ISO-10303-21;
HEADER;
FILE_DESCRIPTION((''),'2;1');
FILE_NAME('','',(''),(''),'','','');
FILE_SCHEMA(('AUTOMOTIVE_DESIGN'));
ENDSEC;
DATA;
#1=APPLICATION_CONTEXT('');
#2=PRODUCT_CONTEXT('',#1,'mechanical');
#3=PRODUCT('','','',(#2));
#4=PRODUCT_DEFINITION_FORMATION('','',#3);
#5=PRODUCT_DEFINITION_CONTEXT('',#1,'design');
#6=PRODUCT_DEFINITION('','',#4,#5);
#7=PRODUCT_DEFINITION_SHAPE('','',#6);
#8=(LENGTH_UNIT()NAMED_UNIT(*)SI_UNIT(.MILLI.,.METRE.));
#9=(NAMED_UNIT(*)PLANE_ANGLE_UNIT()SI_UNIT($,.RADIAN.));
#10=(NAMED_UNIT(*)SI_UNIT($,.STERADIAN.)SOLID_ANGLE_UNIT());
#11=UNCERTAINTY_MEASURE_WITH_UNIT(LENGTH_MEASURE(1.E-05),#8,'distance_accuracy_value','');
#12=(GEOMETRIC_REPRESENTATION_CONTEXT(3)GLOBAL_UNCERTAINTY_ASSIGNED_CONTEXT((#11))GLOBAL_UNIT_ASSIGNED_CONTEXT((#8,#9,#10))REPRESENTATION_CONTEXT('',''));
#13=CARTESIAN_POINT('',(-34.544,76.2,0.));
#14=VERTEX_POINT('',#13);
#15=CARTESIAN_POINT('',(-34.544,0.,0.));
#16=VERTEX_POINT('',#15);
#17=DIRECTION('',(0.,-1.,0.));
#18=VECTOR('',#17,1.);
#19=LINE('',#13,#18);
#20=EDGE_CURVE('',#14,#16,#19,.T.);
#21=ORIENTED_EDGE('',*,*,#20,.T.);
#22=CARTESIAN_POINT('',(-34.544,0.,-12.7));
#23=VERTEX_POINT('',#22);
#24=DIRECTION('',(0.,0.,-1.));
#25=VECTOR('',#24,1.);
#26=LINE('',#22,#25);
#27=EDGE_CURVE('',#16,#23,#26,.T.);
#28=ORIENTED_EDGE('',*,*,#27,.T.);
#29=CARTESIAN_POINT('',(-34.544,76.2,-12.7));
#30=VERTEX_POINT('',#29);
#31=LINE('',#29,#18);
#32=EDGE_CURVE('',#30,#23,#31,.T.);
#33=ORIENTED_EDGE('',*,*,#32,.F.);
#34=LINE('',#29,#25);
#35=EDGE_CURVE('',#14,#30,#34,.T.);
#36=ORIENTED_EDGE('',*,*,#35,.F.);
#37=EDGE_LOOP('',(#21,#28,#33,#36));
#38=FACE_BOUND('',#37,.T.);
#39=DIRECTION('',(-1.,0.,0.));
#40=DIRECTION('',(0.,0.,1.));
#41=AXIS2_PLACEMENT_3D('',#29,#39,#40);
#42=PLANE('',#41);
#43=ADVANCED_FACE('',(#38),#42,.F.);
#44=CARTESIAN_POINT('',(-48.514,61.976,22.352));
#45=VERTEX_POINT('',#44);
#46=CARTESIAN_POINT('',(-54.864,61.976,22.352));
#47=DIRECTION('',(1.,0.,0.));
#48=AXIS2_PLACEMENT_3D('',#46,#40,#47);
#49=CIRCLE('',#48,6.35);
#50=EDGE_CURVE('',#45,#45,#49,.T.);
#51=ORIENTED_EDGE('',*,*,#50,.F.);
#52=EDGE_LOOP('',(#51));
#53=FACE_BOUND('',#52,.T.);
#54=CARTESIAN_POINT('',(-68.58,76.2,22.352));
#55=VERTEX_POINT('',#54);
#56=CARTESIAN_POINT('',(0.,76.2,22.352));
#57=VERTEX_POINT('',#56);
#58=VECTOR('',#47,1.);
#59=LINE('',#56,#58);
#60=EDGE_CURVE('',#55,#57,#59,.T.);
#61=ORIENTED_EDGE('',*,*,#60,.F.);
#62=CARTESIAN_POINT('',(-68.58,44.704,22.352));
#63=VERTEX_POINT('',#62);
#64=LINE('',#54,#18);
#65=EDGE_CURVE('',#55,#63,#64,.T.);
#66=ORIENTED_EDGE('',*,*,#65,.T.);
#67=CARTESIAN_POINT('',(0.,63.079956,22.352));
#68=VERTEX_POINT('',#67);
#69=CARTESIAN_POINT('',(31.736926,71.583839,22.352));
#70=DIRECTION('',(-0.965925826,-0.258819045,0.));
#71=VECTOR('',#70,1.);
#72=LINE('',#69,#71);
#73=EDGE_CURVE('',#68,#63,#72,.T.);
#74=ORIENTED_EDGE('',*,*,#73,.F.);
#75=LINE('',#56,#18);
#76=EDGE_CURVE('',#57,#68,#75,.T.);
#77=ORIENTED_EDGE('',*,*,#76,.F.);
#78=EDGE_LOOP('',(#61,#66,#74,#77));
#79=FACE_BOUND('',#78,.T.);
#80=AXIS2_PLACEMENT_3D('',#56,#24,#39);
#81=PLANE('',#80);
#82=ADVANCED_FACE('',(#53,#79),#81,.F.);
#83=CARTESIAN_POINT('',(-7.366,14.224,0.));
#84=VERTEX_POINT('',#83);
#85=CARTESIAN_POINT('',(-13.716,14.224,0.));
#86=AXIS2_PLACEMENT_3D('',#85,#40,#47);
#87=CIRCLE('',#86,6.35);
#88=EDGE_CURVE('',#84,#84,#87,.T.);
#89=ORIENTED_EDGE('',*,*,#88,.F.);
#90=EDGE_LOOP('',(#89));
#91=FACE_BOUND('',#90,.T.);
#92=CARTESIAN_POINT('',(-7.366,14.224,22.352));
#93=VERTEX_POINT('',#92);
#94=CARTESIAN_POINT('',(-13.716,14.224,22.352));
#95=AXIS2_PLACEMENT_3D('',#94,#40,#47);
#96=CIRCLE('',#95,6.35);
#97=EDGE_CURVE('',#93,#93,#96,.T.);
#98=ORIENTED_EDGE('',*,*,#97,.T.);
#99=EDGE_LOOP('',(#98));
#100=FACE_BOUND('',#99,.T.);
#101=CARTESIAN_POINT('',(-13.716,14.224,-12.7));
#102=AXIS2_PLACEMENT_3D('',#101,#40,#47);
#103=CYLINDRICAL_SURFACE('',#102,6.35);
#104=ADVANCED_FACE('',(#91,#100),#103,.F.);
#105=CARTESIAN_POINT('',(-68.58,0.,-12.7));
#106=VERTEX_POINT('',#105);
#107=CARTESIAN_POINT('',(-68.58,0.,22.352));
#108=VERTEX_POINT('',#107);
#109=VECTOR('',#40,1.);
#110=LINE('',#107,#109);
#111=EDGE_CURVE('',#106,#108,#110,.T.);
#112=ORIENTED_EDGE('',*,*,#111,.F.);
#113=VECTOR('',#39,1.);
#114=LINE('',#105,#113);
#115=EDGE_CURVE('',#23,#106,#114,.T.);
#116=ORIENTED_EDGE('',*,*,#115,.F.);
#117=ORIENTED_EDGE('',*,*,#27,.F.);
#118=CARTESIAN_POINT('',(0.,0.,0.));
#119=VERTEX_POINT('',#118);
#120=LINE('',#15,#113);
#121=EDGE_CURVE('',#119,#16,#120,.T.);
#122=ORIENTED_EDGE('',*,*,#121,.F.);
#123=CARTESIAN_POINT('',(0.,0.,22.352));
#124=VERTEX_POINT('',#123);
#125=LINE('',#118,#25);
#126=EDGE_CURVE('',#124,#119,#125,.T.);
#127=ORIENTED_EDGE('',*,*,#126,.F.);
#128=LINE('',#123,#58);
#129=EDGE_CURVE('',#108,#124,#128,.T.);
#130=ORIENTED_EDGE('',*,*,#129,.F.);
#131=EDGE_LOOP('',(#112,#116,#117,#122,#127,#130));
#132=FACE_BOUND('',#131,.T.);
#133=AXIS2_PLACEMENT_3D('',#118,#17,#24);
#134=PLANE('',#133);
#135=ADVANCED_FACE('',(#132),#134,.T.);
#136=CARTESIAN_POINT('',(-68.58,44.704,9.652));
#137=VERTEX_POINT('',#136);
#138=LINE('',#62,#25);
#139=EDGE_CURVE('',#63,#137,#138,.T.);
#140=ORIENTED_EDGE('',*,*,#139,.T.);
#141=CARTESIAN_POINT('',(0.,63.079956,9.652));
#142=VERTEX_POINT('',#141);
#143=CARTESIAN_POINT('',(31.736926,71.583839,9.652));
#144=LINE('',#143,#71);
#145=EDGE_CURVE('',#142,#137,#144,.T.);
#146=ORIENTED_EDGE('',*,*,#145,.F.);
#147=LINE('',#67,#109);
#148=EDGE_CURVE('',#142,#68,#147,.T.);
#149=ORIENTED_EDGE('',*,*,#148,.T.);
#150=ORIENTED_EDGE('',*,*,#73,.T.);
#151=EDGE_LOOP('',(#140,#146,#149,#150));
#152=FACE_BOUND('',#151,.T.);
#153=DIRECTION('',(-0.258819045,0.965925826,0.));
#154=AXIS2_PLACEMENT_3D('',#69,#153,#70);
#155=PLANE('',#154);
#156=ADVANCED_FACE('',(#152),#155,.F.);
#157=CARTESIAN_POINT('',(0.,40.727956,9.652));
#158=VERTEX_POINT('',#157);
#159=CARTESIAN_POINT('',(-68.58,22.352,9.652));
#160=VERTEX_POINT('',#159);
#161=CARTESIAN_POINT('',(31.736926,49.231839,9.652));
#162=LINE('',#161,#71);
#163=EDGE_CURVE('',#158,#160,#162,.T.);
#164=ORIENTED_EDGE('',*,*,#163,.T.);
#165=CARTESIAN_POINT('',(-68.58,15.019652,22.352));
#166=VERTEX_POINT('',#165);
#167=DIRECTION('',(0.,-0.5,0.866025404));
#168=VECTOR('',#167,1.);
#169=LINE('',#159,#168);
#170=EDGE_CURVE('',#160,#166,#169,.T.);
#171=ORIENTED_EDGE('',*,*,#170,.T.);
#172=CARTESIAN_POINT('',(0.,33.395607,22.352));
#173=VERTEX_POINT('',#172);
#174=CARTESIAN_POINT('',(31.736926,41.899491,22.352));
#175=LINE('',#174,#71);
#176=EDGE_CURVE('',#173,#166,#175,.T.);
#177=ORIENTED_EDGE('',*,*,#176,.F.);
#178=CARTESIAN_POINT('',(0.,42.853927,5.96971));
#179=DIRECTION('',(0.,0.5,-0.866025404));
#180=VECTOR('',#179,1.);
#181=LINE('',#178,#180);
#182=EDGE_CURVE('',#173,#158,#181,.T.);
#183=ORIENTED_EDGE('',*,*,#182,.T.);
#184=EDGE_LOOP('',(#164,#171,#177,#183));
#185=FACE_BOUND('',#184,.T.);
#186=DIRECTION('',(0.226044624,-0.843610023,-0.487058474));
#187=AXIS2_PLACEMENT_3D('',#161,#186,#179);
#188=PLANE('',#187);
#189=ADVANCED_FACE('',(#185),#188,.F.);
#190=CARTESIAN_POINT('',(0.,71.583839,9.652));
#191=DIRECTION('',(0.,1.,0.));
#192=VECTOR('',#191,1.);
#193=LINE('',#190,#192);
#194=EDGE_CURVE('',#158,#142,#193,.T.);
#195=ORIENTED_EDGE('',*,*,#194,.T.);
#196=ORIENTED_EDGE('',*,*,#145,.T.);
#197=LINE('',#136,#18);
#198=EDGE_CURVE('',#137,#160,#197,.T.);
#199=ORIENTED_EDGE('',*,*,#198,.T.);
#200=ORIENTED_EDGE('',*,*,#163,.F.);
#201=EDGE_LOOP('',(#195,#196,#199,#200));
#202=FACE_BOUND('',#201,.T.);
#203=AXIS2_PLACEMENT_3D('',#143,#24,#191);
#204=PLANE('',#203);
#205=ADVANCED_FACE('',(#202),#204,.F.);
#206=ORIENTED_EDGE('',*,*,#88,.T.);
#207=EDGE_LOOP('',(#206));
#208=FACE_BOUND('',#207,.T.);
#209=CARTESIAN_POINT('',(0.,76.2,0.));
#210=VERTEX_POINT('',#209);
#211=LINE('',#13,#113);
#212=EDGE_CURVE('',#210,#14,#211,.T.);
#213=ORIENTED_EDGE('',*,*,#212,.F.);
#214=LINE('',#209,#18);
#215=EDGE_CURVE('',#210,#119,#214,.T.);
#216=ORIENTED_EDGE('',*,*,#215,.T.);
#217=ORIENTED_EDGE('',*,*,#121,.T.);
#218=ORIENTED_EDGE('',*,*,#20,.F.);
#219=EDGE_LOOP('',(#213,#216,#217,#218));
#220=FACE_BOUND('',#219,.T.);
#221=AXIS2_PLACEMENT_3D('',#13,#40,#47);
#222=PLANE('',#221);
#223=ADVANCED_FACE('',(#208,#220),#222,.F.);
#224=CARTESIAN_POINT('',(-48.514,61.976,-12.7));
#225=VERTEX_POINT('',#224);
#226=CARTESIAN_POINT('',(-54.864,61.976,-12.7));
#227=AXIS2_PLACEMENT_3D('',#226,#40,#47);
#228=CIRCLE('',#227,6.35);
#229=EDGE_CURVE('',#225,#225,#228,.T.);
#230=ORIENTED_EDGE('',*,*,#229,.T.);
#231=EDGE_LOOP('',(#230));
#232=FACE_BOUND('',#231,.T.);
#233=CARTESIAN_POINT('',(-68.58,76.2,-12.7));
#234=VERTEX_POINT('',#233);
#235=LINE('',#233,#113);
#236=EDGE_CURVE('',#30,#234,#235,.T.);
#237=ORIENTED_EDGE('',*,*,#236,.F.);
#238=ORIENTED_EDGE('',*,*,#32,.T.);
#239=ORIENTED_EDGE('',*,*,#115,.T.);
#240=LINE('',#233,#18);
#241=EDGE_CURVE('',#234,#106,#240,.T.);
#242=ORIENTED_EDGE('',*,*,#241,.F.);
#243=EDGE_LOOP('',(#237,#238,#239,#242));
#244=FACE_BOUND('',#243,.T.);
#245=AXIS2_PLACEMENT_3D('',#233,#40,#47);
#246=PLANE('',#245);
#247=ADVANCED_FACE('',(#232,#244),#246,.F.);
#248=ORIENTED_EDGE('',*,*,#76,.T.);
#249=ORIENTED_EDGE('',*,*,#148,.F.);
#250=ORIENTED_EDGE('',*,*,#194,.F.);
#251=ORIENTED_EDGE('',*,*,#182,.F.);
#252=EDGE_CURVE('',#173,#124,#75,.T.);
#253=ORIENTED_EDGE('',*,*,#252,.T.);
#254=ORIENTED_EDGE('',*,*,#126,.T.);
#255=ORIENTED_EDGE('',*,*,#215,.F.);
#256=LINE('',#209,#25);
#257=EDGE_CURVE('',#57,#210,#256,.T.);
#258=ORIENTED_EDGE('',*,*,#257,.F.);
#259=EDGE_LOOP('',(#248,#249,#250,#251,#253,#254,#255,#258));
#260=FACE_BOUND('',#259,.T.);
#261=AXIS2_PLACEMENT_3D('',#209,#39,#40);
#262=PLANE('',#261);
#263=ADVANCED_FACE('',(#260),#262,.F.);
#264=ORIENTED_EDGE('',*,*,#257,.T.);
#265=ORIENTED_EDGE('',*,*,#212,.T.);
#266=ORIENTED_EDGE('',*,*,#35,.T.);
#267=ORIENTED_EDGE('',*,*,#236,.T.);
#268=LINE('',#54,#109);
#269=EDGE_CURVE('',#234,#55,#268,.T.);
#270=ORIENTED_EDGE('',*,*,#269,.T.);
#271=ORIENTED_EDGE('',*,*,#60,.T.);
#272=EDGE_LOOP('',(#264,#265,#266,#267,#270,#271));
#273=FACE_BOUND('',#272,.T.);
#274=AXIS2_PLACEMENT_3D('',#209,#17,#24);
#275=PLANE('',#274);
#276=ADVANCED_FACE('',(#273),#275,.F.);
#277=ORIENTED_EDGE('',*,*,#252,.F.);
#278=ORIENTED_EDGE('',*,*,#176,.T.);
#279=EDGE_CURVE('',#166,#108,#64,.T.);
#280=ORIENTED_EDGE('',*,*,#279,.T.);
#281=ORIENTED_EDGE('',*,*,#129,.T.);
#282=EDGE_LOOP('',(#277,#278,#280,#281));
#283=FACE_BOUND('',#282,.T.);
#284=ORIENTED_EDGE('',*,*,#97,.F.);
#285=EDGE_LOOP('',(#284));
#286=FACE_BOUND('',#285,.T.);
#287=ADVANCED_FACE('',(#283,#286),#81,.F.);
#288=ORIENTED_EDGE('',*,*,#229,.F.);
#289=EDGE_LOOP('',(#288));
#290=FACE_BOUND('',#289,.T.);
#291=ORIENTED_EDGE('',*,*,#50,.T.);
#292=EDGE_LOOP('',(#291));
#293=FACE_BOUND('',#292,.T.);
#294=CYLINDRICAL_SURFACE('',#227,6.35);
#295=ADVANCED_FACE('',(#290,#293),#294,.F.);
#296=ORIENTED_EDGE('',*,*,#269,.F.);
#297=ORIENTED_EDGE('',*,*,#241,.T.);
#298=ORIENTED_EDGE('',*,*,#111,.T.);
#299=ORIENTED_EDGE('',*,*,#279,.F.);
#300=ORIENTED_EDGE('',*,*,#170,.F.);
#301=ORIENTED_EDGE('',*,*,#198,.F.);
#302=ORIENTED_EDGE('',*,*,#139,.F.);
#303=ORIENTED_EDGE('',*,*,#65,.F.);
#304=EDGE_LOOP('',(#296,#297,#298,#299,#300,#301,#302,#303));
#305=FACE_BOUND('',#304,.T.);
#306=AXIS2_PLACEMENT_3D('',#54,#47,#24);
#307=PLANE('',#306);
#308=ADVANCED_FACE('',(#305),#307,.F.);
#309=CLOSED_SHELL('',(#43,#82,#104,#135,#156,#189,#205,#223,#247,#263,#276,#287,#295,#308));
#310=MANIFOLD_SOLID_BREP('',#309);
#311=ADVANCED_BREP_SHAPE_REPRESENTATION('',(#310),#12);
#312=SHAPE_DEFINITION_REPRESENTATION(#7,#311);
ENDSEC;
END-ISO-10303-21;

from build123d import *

# Parameters (mm, degrees)
BOSS_EXTRUDE1_DEPTH = 76.2
CUT_EXTRUDE1_DEPTH  = 72.034516633
SKETCH5_R           = 6.35
CUT_EXTRUDE2_DEPTH  = 36.052


with BuildPart() as part:
    # Sketch1 → Boss-Extrude1 (new body)
    with BuildSketch(Plane(origin=(0, 0, 0), x_dir=(1, 0, 0), z_dir=(0, 1, 0))):
        Polygon((0, 0), (0, -22.352), (-68.58, -22.352), (-68.58, 12.7), (-34.544, 12.7), (-34.544, 0), align=None)
    extrude(amount=BOSS_EXTRUDE1_DEPTH)

    # Sketch2 → Cut-Extrude1 (cut, through all, along a direction that is not the sketch's normal)
    with BuildSketch(Plane.ZY.offset(68.58)):
        Polygon((22.352, 44.704), (9.652, 44.704), (9.652, 22.352), (22.352, 15.019651581), align=None)
    extrude(amount=-CUT_EXTRUDE1_DEPTH, dir=(-0.965925826, -0.258819045, 0), mode=Mode.SUBTRACT)

    # Sketch5 → Cut-Extrude2 (cut, through all)
    with BuildSketch(Plane.XY.offset(22.352)):
        with Locations((-54.864, 61.976)):
            Circle(SKETCH5_R)
        with Locations((-13.716, 14.224)):
            Circle(SKETCH5_R)
    extrude(amount=-CUT_EXTRUDE2_DEPTH, mode=Mode.SUBTRACT)


solid = part.part
